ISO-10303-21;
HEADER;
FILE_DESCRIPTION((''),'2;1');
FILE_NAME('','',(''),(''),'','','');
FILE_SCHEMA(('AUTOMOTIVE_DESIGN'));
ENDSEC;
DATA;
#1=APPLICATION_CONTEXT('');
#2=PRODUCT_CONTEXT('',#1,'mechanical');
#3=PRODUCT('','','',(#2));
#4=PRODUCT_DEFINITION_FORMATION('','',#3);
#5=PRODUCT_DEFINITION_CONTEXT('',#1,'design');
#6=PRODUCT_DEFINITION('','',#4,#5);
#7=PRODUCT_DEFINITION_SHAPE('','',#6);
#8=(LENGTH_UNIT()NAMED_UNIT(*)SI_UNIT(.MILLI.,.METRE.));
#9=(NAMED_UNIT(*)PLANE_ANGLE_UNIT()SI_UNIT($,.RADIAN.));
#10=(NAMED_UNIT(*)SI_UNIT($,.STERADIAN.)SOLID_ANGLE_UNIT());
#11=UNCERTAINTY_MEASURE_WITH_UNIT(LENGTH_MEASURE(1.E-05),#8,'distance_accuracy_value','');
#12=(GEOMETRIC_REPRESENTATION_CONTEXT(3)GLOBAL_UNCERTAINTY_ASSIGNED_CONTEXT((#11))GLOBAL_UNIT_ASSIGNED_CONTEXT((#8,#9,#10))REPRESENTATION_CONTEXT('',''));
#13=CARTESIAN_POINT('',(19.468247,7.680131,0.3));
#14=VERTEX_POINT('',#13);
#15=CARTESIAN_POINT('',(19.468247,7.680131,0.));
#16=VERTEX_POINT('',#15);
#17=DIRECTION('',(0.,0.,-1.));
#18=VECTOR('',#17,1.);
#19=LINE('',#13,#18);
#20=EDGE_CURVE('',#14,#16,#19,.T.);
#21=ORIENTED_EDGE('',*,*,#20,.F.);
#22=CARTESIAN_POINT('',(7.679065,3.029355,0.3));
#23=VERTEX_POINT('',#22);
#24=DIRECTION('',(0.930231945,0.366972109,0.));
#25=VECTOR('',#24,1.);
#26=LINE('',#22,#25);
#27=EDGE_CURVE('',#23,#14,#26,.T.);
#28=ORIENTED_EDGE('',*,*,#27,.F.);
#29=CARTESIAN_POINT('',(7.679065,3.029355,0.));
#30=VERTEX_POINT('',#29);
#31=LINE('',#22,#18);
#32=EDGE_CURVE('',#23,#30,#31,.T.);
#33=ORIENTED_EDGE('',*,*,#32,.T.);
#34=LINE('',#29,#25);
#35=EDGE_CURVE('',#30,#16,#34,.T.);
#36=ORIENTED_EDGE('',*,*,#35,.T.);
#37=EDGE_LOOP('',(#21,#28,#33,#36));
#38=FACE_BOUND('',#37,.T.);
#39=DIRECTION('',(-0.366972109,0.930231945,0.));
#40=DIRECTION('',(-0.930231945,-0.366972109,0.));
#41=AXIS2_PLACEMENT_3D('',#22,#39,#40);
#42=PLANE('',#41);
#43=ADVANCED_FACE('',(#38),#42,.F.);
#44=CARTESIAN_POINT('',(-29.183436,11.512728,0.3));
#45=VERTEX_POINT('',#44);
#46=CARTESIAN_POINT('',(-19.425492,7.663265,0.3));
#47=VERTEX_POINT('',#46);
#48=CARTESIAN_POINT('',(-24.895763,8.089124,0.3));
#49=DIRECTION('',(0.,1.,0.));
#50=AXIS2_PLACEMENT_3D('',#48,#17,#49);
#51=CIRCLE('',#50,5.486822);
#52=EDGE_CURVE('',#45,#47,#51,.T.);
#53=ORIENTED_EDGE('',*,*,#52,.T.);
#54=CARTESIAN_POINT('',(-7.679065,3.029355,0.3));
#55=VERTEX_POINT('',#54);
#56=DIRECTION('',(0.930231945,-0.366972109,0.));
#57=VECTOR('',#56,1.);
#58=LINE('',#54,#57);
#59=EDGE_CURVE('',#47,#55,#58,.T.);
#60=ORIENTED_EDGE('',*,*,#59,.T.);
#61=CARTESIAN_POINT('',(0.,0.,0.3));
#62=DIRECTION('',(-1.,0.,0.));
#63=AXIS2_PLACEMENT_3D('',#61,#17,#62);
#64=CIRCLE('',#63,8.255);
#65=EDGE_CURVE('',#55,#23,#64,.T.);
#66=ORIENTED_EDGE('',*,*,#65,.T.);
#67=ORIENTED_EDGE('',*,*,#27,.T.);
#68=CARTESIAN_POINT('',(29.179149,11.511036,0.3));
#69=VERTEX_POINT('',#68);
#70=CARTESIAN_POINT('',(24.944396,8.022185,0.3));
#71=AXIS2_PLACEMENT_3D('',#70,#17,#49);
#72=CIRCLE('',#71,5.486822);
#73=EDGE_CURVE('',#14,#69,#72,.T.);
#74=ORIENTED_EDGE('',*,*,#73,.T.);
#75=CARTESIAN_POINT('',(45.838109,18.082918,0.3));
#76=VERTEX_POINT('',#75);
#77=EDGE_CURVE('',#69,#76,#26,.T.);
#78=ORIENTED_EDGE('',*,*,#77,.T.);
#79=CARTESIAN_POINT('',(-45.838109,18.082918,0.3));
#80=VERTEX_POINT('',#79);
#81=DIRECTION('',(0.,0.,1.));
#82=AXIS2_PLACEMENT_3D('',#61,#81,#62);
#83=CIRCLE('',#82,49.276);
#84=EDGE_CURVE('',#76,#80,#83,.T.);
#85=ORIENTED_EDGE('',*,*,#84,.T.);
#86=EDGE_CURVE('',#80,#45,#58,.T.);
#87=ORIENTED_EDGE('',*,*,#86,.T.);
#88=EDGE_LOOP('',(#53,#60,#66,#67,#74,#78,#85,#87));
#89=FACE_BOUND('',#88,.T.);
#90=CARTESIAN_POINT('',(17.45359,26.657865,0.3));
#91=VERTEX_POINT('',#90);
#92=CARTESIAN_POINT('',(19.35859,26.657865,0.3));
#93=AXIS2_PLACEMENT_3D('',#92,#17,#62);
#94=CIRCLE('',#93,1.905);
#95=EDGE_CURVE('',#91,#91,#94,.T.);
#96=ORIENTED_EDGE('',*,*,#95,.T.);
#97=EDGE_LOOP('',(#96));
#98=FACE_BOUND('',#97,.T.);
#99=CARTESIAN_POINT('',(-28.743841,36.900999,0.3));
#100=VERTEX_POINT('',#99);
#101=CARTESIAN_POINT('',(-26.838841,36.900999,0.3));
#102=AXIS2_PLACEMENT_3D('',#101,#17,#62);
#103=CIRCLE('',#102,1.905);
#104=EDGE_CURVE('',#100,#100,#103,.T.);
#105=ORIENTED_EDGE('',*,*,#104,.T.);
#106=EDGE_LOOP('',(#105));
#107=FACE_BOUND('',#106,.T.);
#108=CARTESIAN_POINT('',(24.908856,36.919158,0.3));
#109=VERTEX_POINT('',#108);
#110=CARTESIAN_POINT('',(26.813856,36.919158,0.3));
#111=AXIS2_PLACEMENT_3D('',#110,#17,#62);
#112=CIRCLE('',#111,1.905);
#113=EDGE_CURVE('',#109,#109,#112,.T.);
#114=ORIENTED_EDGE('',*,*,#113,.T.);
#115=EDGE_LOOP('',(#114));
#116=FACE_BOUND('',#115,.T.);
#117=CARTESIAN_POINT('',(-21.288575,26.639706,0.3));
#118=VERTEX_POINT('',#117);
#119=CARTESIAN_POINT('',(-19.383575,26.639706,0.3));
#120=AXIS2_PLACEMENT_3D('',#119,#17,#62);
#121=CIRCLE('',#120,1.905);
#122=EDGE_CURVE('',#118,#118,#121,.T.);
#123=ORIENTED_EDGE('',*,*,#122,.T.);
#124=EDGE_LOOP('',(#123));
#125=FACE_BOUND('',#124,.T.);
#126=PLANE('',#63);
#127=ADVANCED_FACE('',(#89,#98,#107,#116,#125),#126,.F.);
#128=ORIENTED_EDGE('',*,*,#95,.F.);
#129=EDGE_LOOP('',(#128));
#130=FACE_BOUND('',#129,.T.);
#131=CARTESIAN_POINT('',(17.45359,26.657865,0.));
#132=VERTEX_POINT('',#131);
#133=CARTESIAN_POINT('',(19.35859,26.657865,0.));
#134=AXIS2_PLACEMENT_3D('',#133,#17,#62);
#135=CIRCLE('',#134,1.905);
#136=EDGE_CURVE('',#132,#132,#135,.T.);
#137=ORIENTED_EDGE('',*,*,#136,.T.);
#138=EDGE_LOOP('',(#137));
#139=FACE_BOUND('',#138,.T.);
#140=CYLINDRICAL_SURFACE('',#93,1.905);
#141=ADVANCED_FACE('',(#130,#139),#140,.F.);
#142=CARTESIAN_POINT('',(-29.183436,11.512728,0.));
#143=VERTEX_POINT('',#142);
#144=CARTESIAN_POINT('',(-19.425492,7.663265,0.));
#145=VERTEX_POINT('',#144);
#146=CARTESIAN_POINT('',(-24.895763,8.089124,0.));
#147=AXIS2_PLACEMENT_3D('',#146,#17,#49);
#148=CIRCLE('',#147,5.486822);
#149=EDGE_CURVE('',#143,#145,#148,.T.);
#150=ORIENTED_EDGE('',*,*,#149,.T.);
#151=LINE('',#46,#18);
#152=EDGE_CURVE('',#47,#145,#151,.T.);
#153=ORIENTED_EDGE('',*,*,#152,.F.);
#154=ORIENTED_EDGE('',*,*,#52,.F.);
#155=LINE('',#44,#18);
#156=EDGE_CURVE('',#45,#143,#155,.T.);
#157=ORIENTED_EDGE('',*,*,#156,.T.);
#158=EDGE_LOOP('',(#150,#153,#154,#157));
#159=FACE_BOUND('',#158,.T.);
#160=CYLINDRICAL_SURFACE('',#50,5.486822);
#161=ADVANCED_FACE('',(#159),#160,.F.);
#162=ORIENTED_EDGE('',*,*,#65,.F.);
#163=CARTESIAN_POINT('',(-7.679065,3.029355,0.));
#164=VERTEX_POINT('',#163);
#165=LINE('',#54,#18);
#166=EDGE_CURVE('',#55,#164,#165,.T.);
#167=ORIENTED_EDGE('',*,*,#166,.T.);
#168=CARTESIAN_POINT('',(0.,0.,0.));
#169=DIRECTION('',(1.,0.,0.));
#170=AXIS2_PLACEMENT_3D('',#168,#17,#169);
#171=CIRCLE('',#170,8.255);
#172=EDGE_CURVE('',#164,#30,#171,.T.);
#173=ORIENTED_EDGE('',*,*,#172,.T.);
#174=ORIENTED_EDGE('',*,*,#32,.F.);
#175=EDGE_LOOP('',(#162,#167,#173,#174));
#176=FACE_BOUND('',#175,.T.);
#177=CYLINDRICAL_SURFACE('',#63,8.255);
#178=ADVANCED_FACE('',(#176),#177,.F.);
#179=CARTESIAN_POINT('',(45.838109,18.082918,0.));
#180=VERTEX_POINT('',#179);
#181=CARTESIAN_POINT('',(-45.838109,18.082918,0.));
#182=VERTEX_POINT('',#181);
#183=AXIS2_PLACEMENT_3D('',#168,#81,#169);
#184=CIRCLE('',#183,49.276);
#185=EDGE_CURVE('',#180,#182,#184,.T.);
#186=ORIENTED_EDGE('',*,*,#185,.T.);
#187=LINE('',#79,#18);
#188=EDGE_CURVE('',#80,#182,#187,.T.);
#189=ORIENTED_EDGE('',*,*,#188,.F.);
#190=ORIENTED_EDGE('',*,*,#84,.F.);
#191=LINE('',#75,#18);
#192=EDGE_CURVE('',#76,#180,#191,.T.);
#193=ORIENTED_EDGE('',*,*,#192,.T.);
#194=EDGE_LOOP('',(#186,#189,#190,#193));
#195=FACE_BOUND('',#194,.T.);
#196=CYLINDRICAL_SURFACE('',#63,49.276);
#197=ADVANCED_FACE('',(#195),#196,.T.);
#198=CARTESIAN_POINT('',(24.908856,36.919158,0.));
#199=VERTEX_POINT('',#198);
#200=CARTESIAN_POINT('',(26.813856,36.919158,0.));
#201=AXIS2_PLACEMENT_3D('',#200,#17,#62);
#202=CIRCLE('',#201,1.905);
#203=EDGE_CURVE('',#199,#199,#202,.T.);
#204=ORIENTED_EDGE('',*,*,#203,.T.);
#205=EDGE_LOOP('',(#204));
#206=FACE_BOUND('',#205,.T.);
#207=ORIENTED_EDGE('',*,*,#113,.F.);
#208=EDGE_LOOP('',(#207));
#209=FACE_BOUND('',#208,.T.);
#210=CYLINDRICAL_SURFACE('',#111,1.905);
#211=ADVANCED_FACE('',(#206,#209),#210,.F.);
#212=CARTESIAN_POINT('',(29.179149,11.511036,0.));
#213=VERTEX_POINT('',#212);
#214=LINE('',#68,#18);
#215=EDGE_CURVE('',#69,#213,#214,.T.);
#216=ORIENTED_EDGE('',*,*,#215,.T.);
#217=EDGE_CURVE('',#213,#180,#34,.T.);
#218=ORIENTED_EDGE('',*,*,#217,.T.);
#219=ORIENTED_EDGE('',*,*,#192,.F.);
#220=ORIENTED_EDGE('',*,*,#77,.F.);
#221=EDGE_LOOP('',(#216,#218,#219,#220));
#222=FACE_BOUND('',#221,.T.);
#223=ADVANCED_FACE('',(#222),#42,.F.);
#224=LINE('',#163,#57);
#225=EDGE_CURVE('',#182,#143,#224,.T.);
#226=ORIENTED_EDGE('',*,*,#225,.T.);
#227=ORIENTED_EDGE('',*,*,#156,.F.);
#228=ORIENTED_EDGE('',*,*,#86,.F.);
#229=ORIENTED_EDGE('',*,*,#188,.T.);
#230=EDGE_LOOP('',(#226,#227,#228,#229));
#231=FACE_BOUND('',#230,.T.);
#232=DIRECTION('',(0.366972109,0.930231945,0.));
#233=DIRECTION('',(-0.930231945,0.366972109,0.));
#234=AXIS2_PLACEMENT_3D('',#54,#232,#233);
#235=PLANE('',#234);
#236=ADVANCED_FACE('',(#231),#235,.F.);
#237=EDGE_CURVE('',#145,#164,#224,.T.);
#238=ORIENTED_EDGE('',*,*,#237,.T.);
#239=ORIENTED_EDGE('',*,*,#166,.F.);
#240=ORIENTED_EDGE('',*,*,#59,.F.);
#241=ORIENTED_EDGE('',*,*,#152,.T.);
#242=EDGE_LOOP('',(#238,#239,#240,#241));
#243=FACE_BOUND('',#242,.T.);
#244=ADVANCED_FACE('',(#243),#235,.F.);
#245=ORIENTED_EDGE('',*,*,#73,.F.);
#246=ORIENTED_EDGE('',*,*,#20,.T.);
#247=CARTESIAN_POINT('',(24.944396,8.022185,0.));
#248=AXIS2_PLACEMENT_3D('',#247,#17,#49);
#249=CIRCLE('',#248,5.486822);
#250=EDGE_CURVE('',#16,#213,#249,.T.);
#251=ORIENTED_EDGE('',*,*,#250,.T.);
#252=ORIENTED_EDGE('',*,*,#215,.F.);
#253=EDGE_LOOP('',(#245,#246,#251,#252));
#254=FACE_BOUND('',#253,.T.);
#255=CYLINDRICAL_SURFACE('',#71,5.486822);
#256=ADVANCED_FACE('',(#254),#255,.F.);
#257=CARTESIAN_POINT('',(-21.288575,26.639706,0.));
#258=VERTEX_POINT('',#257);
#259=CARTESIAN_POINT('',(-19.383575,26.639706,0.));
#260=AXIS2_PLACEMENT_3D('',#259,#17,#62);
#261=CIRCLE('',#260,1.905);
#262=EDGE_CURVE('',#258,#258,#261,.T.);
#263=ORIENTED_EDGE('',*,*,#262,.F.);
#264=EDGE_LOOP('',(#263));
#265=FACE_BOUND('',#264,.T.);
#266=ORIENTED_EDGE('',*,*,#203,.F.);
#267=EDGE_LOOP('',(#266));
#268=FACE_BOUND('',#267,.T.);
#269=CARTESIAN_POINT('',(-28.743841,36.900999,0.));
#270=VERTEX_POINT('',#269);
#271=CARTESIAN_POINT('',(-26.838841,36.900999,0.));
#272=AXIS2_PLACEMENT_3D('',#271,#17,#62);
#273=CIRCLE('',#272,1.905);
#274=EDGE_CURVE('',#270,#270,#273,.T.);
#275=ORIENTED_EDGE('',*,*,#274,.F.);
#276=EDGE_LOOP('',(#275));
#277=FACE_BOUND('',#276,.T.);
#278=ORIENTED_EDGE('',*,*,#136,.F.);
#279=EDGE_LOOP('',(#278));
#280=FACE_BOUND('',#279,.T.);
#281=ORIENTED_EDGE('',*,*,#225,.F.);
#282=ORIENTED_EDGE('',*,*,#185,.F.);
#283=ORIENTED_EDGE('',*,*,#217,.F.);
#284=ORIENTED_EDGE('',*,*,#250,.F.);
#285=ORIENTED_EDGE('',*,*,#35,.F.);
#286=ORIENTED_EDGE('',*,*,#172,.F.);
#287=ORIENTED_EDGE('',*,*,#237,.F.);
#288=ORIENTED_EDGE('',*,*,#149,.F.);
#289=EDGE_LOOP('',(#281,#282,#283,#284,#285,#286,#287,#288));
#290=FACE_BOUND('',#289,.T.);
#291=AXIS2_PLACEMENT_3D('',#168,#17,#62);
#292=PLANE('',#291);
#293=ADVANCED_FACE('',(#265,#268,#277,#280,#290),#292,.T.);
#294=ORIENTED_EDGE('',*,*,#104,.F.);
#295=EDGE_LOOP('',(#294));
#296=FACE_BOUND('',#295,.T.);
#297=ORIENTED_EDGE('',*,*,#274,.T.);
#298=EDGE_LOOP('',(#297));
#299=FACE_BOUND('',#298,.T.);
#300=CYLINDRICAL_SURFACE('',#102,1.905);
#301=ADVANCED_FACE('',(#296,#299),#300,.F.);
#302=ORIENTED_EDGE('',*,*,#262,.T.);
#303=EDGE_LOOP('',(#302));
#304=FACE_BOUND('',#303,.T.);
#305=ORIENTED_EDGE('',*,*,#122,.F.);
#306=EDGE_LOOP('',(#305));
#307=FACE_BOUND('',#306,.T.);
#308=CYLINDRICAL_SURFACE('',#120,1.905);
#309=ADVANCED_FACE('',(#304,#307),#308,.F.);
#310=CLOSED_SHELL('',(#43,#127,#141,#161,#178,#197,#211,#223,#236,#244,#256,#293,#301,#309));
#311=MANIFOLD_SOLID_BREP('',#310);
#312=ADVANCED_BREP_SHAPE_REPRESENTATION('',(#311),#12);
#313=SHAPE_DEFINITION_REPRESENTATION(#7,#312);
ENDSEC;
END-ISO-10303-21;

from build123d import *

# Parameters (mm, degrees)
BOSS_EXTRUDE1_DEPTH = 0.3
SKETCH7_R           = 1.905
CUT_EXTRUDE2_DEPTH  = 68.300419328
CUT_EXTRUDE3_DEPTH  = 68.300419328


with BuildPart() as part:
    # Sketch5 → Boss-Extrude1 (new body)
    with BuildSketch(Plane.XY):
        with BuildLine():
            Line((-7.679064705, 3.029354759), (-45.838109317, 18.082917637))
            ThreePointArc((-45.838109317, 18.082917637), (-28.963706092, 39.865121415), (-3.033121883, 49.182561418))
            ThreePointArc((-3.033121883, 49.182561418), (26.454937122, 41.572352326), (45.838109317, 18.082917637))
            Line((45.838109317, 18.082917637), (7.679064705, 3.029354759))
            ThreePointArc((7.679064705, 3.029354759), (4.431883796, 6.964440467), (-0.508126089, 8.239346629))
            ThreePointArc((-0.508126089, 8.239346629), (-4.852167258, 6.678435289), (-7.679064705, 3.029354759))
        make_face()
    extrude(amount=BOSS_EXTRUDE1_DEPTH)

    # Sketch7 → Cut-Extrude2 (cut, through all)
    with BuildSketch(Plane(origin=(0, 0, 0), x_dir=(-1, 0, 0), z_dir=(0, 0, -1))):
        with Locations((-26.813856327, 36.919157691)):
            Circle(SKETCH7_R)
        with Locations((-19.358590444, 26.657864517)):
            Circle(SKETCH7_R)
        with Locations((26.838840816, 36.900999332)):
            Circle(SKETCH7_R)
        with Locations((19.383574933, 26.639706158)):
            Circle(SKETCH7_R)
    extrude(amount=-CUT_EXTRUDE2_DEPTH, mode=Mode.SUBTRACT)

    # Sketch8 → Cut-Extrude3 (cut, through all)
    with BuildSketch(Plane(origin=(0, 0, 0), x_dir=(-1, 0, 0), z_dir=(0, 0, -1))):
        with BuildLine():
            Line((-19.468246955, 7.680131477), (-29.179148849, 11.511036411))
            ThreePointArc((-29.179148849, 11.511036411), (-22.930885785, 13.12620192), (-19.468246955, 7.680131477))
        make_face()
        with BuildLine():
            Line((29.183436436, 11.512727844), (19.425492338, 7.663264983))
            ThreePointArc((19.425492338, 7.663264983), (22.882252084, 13.193140466), (29.183436436, 11.512727844))
        make_face()
    extrude(amount=-CUT_EXTRUDE3_DEPTH, mode=Mode.SUBTRACT)


solid = part.part
